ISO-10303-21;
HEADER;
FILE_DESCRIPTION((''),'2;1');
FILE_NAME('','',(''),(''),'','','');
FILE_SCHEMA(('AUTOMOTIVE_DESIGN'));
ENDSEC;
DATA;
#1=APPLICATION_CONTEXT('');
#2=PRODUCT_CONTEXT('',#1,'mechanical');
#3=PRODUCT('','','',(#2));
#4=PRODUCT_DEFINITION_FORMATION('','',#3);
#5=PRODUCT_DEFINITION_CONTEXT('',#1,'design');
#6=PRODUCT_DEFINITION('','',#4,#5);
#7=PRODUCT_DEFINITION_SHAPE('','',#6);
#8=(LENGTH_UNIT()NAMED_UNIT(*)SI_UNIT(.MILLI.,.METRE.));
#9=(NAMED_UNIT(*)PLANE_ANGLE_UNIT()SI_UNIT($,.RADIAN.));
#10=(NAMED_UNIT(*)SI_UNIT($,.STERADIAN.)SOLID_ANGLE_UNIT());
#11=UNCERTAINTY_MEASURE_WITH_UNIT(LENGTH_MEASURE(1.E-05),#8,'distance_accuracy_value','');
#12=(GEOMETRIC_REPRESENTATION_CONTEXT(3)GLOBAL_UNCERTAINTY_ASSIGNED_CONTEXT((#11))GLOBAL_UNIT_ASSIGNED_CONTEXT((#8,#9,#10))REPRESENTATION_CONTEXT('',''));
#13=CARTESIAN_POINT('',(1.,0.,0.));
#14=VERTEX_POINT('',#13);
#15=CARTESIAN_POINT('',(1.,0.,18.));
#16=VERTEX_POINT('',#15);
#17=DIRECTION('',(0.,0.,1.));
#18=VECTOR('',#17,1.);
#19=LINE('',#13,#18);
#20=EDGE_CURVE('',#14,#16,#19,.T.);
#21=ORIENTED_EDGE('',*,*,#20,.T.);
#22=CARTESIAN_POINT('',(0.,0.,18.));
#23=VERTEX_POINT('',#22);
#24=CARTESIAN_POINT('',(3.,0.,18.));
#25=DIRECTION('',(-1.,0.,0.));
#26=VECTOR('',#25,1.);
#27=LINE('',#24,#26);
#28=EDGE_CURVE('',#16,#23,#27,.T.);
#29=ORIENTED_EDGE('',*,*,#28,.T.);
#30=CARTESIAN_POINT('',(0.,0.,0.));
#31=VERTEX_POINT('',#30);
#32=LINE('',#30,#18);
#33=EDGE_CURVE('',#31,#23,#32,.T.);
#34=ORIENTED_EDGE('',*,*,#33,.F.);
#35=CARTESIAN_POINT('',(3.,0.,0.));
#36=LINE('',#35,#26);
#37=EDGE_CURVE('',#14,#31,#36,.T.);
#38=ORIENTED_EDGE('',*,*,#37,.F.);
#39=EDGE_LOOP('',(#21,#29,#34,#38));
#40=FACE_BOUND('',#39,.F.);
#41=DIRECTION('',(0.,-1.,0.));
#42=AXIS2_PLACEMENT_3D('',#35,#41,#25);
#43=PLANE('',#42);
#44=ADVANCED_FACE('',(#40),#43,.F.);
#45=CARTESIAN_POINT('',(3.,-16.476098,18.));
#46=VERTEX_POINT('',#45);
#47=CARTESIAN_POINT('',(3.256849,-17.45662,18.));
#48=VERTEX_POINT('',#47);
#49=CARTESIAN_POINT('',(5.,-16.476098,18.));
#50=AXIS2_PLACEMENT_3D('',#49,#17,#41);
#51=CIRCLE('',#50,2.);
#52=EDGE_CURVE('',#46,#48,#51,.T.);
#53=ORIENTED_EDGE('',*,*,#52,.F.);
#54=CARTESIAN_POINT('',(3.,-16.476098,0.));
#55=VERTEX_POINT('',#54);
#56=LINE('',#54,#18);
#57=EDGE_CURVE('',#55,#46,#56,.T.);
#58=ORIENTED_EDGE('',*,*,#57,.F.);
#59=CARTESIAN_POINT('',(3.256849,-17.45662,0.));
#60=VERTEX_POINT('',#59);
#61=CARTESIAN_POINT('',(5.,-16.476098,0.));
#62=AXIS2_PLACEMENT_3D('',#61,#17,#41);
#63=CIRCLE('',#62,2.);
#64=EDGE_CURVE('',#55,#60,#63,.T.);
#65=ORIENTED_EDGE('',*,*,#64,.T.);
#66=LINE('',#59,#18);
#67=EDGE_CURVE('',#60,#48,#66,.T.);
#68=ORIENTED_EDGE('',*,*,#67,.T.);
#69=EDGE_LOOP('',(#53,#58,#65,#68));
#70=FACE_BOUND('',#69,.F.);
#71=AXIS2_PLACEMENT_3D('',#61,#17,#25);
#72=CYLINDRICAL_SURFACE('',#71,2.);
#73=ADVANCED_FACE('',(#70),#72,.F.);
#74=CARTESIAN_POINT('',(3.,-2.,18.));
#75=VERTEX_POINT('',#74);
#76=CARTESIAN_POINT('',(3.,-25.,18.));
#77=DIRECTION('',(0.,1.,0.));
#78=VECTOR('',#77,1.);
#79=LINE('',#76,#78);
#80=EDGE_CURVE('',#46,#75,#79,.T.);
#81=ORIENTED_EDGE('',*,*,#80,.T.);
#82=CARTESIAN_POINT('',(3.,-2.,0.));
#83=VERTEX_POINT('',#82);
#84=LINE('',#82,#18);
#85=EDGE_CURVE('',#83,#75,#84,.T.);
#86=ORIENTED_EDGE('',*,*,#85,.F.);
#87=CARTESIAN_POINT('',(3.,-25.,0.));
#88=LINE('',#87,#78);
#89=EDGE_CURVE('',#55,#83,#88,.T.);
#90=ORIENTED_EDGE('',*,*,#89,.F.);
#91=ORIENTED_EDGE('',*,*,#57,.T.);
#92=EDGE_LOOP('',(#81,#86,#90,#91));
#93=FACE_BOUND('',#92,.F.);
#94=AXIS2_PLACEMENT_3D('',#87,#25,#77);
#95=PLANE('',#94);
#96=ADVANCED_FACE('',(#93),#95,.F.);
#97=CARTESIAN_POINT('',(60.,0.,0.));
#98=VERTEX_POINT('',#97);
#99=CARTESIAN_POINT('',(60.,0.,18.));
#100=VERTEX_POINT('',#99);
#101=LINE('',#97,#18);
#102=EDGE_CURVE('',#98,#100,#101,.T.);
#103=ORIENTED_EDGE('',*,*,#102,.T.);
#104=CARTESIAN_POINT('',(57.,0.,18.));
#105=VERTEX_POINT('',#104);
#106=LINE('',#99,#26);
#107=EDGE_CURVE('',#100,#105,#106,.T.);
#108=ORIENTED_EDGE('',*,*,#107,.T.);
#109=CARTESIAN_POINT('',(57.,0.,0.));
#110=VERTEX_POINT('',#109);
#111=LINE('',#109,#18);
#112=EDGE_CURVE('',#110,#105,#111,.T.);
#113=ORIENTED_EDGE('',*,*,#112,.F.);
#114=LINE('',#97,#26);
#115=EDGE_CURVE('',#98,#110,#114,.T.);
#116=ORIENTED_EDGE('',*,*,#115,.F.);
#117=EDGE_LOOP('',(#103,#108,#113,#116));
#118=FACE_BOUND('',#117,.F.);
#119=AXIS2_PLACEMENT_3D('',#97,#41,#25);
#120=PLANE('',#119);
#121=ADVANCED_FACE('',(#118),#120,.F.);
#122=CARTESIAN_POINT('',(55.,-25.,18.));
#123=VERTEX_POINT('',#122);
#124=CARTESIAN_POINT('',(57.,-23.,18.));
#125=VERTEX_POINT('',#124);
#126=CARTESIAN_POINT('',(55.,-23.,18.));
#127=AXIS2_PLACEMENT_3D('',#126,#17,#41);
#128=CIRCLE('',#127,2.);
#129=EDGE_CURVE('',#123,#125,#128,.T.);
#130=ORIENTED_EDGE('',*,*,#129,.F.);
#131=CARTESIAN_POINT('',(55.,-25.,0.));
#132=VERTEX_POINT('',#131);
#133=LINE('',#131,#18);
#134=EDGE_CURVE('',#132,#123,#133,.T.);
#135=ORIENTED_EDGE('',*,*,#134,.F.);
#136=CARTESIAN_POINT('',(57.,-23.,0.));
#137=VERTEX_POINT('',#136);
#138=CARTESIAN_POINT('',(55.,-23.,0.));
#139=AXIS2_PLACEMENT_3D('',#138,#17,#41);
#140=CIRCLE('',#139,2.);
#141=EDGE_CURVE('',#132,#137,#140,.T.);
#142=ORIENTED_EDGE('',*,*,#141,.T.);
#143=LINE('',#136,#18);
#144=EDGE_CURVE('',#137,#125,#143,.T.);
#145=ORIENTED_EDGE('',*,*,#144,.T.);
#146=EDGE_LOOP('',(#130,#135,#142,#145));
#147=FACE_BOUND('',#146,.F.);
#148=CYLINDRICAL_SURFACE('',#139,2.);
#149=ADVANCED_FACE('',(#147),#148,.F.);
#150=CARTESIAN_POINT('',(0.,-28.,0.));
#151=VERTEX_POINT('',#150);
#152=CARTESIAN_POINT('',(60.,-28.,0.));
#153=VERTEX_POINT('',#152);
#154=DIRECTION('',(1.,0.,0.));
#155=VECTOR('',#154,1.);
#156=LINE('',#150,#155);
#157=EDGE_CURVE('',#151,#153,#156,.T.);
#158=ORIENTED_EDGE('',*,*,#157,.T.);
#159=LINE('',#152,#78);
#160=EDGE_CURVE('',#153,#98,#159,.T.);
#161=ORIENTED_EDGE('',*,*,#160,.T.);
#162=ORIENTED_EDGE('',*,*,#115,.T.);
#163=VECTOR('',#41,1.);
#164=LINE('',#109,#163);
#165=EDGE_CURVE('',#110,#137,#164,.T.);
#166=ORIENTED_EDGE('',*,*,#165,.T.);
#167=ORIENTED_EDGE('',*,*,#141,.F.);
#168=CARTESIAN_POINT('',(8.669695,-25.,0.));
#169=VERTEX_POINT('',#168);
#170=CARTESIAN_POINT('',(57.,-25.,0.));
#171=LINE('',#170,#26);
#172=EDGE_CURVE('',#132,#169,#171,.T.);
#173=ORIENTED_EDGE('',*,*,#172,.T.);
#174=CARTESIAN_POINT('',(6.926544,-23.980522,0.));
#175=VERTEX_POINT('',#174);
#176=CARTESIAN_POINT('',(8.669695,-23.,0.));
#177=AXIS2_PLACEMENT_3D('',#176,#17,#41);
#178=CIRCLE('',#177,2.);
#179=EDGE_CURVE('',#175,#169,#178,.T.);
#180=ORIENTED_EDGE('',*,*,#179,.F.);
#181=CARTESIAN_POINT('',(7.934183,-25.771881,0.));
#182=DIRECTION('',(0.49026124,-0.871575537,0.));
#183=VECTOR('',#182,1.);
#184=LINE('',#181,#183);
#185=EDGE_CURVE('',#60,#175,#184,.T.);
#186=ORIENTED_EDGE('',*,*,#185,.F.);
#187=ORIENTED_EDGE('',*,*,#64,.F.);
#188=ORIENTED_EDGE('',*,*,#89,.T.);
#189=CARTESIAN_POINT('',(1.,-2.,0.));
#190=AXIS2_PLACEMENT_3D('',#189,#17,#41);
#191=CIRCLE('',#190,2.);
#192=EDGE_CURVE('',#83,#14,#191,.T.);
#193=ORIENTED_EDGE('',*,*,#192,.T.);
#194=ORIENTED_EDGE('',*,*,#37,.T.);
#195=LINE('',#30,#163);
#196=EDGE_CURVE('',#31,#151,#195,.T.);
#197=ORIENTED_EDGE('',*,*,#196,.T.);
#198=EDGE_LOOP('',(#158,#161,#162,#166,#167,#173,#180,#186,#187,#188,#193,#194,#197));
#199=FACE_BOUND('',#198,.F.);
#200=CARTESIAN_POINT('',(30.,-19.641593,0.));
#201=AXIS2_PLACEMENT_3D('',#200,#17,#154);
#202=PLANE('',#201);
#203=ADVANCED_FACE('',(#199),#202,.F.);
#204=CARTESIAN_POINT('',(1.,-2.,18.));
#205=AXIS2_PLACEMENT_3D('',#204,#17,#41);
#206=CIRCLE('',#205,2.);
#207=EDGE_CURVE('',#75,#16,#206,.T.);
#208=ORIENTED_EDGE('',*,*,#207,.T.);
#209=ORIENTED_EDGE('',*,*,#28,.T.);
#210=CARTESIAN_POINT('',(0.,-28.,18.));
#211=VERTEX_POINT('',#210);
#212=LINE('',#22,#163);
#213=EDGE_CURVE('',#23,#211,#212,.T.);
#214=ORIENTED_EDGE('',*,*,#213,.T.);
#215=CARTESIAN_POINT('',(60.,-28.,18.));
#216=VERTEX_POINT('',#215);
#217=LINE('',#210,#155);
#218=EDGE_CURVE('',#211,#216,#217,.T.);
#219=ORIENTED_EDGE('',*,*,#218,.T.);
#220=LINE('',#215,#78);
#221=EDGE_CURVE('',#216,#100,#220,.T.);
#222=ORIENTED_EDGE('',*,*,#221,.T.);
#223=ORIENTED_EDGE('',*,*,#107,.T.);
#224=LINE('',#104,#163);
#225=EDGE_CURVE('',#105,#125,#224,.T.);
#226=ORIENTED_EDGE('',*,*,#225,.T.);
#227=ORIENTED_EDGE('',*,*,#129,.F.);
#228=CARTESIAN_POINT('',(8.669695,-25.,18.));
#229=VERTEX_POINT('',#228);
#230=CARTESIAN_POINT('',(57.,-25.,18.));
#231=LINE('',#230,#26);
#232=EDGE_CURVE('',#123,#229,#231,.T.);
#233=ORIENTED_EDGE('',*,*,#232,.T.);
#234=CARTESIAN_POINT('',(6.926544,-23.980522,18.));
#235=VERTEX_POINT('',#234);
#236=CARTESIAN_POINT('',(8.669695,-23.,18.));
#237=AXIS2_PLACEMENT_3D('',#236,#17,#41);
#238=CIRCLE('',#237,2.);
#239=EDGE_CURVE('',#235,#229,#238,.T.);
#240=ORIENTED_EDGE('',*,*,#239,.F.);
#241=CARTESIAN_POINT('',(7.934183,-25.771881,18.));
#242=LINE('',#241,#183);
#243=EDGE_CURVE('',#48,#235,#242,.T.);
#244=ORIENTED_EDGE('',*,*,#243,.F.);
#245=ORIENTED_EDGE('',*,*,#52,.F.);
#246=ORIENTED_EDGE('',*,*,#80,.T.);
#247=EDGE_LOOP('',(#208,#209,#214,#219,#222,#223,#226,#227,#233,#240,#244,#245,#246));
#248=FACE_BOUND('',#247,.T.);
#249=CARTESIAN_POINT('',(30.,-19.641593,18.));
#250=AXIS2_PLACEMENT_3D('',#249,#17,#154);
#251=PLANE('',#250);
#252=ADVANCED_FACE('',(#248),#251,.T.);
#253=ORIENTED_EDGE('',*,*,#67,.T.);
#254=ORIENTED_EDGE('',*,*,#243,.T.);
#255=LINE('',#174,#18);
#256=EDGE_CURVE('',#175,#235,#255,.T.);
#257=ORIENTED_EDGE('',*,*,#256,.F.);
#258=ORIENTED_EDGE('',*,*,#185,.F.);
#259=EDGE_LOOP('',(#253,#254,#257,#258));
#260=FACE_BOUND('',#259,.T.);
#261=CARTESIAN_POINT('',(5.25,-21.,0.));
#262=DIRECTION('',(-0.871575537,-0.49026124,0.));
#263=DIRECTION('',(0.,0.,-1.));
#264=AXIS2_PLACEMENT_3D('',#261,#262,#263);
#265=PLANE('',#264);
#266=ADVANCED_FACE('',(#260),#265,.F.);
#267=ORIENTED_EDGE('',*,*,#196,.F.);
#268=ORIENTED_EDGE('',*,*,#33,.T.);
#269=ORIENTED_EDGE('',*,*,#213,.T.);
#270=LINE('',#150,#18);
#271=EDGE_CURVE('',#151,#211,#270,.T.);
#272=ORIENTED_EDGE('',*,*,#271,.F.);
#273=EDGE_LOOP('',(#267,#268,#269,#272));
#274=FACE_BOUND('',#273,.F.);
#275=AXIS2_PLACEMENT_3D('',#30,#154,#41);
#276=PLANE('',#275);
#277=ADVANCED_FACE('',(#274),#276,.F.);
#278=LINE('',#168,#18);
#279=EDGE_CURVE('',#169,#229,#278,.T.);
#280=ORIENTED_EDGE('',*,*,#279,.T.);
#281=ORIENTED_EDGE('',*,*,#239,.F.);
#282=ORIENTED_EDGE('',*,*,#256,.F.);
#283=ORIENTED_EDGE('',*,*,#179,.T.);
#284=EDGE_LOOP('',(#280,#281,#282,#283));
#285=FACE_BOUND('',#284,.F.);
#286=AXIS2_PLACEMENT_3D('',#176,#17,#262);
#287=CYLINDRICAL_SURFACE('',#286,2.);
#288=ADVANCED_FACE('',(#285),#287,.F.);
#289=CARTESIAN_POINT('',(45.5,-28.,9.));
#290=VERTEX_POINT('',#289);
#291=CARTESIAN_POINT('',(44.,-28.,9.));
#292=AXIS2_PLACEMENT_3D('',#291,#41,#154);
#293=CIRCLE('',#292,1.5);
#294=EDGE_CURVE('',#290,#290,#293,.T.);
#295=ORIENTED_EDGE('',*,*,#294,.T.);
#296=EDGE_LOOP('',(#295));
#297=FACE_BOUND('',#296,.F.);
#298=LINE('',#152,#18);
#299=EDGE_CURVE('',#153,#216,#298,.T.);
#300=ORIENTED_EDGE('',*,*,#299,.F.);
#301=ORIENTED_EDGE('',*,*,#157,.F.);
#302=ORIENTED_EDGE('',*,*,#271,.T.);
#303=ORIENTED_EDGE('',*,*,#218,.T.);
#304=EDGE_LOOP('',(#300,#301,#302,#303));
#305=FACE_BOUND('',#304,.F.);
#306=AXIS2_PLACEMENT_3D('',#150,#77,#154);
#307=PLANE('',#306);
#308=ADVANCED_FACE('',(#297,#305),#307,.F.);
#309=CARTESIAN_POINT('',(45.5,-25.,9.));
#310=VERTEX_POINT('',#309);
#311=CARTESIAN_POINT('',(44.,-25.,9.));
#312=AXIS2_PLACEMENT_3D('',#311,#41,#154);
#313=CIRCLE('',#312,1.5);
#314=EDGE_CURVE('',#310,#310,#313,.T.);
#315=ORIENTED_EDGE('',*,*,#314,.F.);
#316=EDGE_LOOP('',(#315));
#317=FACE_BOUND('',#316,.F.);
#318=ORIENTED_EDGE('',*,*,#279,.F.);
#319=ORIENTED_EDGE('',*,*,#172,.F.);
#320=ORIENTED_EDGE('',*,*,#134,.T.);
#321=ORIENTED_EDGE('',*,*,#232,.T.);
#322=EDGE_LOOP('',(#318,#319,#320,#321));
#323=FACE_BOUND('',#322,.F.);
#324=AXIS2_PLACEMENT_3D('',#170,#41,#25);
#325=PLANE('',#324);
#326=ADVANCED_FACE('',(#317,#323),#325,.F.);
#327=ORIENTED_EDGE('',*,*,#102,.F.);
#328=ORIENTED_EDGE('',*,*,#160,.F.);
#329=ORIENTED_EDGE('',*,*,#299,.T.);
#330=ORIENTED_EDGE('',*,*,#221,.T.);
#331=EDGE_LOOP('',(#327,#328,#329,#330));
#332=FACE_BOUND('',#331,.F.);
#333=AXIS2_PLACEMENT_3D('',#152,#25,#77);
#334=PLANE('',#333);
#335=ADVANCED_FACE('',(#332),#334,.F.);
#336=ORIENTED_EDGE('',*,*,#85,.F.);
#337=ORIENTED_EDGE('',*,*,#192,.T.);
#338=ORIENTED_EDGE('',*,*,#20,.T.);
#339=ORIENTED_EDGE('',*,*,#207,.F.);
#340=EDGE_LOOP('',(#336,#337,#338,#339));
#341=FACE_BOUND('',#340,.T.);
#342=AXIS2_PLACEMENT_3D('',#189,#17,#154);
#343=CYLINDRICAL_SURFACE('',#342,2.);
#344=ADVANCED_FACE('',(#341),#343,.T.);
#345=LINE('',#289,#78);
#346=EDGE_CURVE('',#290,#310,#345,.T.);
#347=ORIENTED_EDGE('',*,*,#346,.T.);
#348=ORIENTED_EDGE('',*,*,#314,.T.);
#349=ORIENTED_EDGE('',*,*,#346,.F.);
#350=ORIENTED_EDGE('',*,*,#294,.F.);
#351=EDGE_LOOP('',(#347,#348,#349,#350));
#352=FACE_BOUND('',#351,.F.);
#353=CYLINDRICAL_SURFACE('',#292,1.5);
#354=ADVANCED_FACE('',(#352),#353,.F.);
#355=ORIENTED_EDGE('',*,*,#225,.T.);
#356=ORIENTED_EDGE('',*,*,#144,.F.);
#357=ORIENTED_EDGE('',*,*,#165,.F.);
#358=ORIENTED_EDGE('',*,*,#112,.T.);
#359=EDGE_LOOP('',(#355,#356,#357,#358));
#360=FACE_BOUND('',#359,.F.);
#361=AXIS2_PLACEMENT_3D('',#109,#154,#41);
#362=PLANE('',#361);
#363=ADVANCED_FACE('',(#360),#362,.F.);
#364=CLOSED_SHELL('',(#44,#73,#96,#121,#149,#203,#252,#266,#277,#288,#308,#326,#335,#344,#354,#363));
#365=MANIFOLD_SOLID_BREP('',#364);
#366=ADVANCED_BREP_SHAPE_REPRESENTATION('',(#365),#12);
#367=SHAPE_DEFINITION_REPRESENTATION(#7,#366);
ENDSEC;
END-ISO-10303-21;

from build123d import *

# Parameters (mm, degrees)
F1_DEPTH = 18
F2_R     = 1.5
F3_DEPTH = 28.001
F4_SIZE2 = 4.5
F4_SIZE  = 8
F5_R     = 2


with BuildPart() as f1:
    # F0 (on Top) → F1 (new body)
    with BuildSketch(Plane.XY):
        Polygon((3, 0), (0, 0), (0, -28), (60, -28), (60, 0), (57, 0), (57, -25), (3, -25), align=None)
    extrude(amount=F1_DEPTH)

    # F2 (on face) → F3 (cut, through all)
    with BuildSketch(Plane.XZ.offset(28)):
        with Locations((44, 9)):
            Circle(F2_R)
    extrude(amount=-F3_DEPTH, mode=Mode.SUBTRACT)

    # F4
    f4_edges = [f1.edges().sort_by_distance(p)[0] for p in [
        (3, -25, 9),
    ]]
    f4_side = f1.faces().sort_by_distance((3, -12.5, 9))[0]
    chamfer(f4_edges, length=F4_SIZE, length2=F4_SIZE2, reference=f4_side)

    # F5
    f5_edges = [f1.edges().sort_by_distance(p)[0] for p in [
        (57, -25, 9),
        (7.5, -25, 9),
        (3, -17, 9),
        (3, 0, 9),
    ]]
    fillet(f5_edges, radius=F5_R)


solid = f1.part
